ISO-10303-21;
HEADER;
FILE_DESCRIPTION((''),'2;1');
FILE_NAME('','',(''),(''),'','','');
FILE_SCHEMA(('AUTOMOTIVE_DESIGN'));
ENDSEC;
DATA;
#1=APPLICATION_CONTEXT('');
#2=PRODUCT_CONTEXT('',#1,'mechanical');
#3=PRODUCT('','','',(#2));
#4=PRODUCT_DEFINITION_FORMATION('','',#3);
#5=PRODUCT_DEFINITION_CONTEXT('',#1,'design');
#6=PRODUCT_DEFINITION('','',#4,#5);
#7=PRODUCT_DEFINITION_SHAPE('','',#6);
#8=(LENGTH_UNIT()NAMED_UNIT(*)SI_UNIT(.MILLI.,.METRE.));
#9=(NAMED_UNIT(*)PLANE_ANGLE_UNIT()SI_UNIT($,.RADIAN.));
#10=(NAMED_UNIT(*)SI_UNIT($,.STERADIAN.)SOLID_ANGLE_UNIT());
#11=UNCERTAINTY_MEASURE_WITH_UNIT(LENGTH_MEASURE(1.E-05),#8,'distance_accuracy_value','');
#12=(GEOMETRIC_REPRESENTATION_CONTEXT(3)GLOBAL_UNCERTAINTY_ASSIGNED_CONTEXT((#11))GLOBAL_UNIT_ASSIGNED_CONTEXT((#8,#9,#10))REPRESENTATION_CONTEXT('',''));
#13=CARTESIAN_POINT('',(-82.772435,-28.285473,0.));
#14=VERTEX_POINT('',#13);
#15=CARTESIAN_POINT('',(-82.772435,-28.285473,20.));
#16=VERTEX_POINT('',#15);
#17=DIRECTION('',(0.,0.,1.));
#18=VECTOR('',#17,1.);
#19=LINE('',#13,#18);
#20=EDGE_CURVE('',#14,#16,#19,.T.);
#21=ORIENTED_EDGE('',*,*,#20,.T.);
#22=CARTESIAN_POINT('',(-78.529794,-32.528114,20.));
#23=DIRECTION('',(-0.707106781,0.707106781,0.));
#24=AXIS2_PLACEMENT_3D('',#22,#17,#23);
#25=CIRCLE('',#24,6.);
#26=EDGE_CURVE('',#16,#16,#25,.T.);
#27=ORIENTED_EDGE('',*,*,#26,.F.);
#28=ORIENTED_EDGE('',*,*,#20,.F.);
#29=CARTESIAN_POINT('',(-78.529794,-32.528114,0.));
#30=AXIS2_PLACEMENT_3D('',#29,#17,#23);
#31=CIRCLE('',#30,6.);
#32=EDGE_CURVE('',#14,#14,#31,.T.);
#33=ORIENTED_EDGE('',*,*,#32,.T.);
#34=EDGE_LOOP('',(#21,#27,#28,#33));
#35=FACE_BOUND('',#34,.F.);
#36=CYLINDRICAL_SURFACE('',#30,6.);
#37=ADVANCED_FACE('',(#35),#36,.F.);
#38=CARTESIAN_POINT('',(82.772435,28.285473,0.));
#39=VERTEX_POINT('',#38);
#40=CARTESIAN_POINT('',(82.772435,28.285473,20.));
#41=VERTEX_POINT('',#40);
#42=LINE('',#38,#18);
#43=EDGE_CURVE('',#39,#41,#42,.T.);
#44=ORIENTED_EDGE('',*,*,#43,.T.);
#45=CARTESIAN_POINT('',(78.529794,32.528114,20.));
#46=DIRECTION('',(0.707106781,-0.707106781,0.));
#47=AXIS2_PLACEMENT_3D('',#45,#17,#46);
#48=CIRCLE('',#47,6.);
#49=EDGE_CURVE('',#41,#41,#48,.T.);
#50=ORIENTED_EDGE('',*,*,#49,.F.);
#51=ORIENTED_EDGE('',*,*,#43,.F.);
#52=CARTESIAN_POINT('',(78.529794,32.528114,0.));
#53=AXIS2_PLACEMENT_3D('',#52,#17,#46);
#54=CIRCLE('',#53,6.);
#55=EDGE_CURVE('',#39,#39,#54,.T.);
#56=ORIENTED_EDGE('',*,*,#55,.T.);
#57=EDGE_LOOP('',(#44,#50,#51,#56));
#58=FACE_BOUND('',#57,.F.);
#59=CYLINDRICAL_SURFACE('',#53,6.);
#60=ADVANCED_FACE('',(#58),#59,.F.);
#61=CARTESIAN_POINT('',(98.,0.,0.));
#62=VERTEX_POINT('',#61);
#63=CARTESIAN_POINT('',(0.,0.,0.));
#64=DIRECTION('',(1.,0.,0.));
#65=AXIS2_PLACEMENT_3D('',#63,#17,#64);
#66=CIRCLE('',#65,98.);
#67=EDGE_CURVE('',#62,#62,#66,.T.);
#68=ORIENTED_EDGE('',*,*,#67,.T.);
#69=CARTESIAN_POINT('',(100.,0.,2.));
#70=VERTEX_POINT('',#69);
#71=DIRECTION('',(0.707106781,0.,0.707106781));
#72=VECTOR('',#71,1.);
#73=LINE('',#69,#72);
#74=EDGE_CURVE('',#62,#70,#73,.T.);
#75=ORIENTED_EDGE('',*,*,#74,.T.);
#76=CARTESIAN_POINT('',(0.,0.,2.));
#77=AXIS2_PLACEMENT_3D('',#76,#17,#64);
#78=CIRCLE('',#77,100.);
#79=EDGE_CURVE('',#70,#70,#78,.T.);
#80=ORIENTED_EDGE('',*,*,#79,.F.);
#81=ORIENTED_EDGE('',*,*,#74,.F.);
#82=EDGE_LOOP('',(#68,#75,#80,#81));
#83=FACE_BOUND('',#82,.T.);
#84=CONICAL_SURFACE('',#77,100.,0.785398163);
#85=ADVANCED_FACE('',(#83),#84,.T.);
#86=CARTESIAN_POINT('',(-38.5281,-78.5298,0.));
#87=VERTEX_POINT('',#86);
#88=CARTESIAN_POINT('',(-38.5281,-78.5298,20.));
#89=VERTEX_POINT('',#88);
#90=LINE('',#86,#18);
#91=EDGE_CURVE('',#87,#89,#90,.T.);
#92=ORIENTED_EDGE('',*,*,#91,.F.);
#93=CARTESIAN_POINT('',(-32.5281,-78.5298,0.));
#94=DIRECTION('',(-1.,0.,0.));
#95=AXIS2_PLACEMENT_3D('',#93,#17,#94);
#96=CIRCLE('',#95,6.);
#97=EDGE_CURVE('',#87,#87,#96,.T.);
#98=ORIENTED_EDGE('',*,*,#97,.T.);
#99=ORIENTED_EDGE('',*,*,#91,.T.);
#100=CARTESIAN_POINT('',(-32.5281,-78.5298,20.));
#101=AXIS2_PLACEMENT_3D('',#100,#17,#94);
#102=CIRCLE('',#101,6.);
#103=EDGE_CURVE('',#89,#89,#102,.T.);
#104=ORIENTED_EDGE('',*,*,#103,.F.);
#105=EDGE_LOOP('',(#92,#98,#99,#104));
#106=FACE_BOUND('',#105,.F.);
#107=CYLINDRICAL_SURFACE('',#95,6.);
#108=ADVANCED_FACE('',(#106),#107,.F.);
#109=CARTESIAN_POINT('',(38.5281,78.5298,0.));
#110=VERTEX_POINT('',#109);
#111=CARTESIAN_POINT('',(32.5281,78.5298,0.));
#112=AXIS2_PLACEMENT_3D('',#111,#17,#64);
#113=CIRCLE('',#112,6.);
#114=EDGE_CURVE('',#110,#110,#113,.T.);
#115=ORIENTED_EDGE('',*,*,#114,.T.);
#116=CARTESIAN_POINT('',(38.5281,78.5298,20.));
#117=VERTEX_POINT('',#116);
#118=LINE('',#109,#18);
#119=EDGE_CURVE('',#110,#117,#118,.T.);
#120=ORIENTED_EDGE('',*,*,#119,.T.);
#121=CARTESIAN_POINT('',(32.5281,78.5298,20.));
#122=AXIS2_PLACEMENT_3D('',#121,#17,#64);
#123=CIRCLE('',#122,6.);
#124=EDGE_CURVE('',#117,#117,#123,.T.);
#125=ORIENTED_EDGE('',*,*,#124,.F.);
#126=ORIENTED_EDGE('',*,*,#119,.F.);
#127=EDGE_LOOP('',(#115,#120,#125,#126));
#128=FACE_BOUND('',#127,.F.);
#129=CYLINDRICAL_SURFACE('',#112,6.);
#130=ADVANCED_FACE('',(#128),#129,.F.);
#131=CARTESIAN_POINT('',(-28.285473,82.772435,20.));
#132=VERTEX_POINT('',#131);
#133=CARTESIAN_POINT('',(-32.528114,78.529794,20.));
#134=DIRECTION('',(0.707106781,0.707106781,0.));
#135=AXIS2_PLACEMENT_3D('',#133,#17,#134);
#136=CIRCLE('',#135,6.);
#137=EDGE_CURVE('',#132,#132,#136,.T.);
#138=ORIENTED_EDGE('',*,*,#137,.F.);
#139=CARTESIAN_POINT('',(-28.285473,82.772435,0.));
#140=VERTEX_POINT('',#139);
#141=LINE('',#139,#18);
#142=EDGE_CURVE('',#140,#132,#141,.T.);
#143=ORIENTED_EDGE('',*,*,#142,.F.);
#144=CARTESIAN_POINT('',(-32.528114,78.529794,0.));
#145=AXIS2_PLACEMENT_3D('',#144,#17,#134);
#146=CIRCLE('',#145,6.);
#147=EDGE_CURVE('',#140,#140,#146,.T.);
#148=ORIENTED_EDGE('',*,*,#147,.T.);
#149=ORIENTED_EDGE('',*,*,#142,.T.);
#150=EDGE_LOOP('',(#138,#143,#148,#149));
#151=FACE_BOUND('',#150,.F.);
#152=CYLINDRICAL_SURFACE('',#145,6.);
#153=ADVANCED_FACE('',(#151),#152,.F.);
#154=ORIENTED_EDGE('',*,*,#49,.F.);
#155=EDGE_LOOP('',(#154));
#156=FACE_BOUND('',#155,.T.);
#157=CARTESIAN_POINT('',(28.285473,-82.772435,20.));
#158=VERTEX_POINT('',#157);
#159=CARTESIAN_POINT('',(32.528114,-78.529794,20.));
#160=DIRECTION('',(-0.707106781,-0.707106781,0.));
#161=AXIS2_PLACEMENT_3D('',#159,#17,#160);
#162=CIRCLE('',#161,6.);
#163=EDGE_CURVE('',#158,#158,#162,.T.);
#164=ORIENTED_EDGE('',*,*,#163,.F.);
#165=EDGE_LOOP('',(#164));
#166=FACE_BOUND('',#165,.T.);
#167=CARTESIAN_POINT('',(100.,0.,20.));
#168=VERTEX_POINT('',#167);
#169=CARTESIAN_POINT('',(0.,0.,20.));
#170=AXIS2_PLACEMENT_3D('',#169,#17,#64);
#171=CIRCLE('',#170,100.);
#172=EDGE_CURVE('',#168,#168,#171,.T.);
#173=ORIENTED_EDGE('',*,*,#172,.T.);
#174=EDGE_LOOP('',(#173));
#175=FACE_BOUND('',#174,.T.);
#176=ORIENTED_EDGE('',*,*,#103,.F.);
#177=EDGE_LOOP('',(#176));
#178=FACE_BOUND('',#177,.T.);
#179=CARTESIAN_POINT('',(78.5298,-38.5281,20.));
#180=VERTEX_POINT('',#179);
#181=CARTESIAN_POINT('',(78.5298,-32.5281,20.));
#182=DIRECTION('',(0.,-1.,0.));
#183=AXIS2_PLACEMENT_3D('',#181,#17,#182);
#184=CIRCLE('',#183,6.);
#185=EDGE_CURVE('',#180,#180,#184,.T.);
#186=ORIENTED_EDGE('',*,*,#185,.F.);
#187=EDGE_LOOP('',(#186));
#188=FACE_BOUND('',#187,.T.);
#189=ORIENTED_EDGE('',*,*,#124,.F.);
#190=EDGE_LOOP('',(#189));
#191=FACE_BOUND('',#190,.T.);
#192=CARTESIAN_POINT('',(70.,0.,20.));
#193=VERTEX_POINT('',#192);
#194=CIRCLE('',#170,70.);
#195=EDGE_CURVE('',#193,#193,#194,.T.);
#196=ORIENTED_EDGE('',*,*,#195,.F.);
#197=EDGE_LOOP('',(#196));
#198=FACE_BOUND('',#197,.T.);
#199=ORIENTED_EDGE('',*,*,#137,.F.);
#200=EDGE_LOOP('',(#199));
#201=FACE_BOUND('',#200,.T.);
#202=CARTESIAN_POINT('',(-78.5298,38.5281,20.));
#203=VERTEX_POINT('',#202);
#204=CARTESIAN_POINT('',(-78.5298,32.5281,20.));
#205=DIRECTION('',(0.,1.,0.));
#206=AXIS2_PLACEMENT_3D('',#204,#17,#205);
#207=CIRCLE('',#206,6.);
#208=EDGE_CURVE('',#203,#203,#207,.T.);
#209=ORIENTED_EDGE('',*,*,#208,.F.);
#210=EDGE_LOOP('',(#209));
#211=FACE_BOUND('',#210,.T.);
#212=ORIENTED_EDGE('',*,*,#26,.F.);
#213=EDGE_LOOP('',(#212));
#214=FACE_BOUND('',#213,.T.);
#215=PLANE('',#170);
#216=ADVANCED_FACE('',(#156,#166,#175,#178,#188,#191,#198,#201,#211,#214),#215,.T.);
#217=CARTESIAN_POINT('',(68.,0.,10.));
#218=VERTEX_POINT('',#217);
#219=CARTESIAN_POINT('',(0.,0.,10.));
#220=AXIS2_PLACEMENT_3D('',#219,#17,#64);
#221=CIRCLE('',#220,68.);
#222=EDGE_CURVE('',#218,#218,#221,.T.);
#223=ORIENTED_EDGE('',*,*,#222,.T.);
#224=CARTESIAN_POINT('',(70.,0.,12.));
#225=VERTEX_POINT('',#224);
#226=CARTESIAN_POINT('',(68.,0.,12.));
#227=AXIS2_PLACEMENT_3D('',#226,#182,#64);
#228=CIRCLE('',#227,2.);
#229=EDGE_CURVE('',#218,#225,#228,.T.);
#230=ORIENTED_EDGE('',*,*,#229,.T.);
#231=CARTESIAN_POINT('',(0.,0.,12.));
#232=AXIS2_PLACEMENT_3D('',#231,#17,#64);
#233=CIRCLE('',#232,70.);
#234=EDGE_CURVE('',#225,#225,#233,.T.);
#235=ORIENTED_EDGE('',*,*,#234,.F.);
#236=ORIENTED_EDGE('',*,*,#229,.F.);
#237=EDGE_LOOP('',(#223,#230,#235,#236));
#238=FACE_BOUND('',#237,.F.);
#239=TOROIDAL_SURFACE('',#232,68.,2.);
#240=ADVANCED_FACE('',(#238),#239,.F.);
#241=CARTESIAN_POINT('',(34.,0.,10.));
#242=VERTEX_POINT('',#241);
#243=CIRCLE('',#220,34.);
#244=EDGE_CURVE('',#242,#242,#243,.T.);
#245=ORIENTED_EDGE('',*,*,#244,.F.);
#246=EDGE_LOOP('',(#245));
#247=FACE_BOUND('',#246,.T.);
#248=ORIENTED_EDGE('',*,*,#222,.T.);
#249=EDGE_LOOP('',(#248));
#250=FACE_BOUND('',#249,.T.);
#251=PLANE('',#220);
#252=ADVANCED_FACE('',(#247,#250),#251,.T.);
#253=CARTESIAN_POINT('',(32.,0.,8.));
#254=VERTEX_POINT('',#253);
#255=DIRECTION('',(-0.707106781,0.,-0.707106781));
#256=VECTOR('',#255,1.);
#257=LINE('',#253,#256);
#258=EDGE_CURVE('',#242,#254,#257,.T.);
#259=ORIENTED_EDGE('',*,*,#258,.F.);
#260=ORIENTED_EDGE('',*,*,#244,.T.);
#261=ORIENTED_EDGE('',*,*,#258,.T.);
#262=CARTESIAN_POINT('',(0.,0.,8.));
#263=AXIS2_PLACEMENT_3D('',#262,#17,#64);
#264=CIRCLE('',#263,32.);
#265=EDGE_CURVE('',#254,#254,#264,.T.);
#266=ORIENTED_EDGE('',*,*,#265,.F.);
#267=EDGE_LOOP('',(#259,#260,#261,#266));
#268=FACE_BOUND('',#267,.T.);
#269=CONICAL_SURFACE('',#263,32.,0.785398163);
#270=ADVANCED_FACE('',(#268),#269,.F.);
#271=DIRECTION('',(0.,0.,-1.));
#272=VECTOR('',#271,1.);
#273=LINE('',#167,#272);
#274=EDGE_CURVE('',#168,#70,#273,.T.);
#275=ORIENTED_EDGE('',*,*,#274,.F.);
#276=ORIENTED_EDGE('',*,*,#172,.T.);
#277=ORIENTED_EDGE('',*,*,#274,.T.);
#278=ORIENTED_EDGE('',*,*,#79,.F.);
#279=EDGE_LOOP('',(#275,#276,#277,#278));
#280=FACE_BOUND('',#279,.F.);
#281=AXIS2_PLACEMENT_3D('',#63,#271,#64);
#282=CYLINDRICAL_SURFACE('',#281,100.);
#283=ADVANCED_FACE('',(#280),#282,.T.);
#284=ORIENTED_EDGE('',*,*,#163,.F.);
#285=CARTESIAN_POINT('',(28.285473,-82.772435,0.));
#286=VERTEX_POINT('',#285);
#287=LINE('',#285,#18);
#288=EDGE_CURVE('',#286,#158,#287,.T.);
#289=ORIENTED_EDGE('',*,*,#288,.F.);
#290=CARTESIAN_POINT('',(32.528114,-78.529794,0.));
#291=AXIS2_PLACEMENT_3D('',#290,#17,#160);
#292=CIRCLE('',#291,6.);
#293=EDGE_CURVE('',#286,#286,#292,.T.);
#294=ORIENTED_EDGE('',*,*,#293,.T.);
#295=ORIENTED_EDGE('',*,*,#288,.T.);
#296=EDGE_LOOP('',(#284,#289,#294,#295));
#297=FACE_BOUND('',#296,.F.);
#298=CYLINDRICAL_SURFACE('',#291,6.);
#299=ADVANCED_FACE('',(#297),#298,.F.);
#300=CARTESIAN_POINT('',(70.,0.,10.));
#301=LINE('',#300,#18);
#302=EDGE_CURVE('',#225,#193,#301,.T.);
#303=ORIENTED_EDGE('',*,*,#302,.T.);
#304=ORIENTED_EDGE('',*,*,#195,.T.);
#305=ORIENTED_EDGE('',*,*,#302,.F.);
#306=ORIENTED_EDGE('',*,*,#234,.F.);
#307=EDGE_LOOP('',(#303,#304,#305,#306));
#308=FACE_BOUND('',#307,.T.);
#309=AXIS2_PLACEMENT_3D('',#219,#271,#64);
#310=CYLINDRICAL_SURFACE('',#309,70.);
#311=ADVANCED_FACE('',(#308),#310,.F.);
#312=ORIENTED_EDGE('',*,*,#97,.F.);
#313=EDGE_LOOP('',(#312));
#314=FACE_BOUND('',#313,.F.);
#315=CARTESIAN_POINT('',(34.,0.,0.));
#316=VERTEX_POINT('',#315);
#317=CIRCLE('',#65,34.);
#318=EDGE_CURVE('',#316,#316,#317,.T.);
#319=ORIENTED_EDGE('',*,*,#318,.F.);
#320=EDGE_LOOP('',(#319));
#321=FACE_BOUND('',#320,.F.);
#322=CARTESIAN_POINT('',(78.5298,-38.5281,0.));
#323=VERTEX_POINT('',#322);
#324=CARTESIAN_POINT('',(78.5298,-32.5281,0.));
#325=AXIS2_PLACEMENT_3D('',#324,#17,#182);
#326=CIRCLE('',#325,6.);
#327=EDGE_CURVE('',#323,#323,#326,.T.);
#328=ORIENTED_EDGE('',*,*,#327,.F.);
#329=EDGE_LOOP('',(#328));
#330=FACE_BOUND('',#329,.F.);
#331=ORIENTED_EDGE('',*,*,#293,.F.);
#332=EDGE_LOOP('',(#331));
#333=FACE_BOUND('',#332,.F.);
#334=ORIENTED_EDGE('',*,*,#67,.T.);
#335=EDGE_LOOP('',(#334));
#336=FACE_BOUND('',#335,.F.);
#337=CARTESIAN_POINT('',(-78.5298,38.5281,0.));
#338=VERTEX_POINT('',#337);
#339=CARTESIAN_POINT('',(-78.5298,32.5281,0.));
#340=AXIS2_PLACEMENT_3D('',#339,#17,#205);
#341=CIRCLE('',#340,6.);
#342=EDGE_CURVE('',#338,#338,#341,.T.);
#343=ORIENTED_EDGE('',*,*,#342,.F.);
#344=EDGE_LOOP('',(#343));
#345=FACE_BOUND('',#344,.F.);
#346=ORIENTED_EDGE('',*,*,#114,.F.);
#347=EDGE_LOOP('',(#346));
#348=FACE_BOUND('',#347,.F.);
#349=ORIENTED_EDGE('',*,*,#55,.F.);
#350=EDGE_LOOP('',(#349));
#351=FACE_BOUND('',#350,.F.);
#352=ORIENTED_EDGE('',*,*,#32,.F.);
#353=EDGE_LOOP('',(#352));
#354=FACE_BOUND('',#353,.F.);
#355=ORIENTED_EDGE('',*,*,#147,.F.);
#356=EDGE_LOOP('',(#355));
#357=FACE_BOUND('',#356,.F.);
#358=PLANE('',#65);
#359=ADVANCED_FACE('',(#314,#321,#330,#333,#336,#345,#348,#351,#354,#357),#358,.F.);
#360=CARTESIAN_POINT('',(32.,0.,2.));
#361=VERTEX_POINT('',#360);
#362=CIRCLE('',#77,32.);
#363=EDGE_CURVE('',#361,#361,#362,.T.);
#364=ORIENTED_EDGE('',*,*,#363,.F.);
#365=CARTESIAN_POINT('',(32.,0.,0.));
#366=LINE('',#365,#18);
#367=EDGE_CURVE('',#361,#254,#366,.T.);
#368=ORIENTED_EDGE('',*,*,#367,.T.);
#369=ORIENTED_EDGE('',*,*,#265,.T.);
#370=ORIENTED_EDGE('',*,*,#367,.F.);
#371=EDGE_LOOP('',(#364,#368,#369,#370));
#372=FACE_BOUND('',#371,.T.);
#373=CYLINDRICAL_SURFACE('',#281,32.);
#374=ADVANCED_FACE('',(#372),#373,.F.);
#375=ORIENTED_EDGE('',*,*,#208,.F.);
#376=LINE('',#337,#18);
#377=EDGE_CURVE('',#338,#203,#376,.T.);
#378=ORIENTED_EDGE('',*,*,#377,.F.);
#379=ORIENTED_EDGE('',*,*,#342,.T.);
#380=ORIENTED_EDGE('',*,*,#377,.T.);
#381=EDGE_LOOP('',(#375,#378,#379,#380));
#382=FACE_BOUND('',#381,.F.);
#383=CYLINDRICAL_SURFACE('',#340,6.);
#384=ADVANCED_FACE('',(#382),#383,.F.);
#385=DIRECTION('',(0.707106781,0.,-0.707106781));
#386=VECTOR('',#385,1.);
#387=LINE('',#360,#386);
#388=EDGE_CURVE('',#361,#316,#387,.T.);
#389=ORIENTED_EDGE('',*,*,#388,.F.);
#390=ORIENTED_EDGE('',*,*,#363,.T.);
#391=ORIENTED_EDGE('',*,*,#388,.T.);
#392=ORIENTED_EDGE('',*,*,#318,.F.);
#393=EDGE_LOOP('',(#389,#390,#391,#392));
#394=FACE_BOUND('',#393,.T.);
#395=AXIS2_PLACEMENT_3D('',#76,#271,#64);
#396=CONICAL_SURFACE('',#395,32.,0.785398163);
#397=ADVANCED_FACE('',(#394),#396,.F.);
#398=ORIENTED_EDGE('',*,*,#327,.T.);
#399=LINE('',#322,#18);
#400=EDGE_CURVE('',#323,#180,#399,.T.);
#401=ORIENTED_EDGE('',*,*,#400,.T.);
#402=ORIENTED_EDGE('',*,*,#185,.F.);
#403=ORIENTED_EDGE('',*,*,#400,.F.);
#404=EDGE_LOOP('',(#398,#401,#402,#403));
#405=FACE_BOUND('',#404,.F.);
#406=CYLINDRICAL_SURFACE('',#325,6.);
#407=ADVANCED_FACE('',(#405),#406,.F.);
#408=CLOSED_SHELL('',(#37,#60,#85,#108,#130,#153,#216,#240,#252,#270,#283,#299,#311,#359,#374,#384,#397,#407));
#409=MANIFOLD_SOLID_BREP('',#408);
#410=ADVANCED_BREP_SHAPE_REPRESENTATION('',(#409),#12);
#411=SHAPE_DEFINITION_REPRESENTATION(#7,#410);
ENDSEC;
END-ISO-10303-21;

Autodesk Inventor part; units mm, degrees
ref_plane "YZ Plane" through (0, 0, 0) normal (1, 0, 0) x (0, 1, 0)
ref_plane "XZ Plane" through (0, 0, 0) normal (0, 1, 0) x (-1, 0, 0)
ref_plane "XY Plane" through (0, 0, 0) normal (0, 0, 1) x (1, 0, 0)
sketch "Эскиз1" plane through (0, 0, 0) normal (0, 0, 1) x (1, 0, 0)
  circle A0 centre (0, 0) radius 32
  circle A1 centre (0, 0) radius 100
  dimension "d0" = 64
  dimension "d1" = 200
extrude "Выдавливание1" add sketch "Эскиз1" along normal blind 10
sketch "Эскиз2" plane through (0, 0, 10) normal (0, 0, 1) x (1, 0, 0)
  circle A0 centre (0, 0) radius 100 projected
  circle A1 centre (0, 0) radius 70
  dimension "d4" = 140
extrude "Выдавливание2" add sketch "Эскиз2" along normal blind 10
fillet "Сопряжение1" radius 2 1 edges at (-70, 0, 10)
chamfer "Фаска1" distance 2 angle 45 2 edges at (-32, 0, 10) (-32, 0, 0)
sketch "Эскиз3" plane through (0, 0, 0) normal (0, 0, -1) x (-1, 0, 0)
  circle A0 centre (0, 0) radius 100 projected
  line L0 (0, 0) -> (78.5298, 32.5281)
  line L1 (140, 0) -> (-140, 0) projected
  dimension "d11" = 85
  dimension "d12" = 22.5
hole "Отверстие1" at (-78.5298, 32.5281, 0) direction (0, 0, 1) diameter 12 end through all
pattern_circular "Круговой массив1" count 8 over 360 about axis through (0, 0, 1) along (0, 0, 1) of "Отверстие1"
chamfer "Фаска2" distance 2 angle 45 1 edges at (-100, 0, 0)
properties part number "Крышка перегородки12_CPY" material "Чугун, серый"
